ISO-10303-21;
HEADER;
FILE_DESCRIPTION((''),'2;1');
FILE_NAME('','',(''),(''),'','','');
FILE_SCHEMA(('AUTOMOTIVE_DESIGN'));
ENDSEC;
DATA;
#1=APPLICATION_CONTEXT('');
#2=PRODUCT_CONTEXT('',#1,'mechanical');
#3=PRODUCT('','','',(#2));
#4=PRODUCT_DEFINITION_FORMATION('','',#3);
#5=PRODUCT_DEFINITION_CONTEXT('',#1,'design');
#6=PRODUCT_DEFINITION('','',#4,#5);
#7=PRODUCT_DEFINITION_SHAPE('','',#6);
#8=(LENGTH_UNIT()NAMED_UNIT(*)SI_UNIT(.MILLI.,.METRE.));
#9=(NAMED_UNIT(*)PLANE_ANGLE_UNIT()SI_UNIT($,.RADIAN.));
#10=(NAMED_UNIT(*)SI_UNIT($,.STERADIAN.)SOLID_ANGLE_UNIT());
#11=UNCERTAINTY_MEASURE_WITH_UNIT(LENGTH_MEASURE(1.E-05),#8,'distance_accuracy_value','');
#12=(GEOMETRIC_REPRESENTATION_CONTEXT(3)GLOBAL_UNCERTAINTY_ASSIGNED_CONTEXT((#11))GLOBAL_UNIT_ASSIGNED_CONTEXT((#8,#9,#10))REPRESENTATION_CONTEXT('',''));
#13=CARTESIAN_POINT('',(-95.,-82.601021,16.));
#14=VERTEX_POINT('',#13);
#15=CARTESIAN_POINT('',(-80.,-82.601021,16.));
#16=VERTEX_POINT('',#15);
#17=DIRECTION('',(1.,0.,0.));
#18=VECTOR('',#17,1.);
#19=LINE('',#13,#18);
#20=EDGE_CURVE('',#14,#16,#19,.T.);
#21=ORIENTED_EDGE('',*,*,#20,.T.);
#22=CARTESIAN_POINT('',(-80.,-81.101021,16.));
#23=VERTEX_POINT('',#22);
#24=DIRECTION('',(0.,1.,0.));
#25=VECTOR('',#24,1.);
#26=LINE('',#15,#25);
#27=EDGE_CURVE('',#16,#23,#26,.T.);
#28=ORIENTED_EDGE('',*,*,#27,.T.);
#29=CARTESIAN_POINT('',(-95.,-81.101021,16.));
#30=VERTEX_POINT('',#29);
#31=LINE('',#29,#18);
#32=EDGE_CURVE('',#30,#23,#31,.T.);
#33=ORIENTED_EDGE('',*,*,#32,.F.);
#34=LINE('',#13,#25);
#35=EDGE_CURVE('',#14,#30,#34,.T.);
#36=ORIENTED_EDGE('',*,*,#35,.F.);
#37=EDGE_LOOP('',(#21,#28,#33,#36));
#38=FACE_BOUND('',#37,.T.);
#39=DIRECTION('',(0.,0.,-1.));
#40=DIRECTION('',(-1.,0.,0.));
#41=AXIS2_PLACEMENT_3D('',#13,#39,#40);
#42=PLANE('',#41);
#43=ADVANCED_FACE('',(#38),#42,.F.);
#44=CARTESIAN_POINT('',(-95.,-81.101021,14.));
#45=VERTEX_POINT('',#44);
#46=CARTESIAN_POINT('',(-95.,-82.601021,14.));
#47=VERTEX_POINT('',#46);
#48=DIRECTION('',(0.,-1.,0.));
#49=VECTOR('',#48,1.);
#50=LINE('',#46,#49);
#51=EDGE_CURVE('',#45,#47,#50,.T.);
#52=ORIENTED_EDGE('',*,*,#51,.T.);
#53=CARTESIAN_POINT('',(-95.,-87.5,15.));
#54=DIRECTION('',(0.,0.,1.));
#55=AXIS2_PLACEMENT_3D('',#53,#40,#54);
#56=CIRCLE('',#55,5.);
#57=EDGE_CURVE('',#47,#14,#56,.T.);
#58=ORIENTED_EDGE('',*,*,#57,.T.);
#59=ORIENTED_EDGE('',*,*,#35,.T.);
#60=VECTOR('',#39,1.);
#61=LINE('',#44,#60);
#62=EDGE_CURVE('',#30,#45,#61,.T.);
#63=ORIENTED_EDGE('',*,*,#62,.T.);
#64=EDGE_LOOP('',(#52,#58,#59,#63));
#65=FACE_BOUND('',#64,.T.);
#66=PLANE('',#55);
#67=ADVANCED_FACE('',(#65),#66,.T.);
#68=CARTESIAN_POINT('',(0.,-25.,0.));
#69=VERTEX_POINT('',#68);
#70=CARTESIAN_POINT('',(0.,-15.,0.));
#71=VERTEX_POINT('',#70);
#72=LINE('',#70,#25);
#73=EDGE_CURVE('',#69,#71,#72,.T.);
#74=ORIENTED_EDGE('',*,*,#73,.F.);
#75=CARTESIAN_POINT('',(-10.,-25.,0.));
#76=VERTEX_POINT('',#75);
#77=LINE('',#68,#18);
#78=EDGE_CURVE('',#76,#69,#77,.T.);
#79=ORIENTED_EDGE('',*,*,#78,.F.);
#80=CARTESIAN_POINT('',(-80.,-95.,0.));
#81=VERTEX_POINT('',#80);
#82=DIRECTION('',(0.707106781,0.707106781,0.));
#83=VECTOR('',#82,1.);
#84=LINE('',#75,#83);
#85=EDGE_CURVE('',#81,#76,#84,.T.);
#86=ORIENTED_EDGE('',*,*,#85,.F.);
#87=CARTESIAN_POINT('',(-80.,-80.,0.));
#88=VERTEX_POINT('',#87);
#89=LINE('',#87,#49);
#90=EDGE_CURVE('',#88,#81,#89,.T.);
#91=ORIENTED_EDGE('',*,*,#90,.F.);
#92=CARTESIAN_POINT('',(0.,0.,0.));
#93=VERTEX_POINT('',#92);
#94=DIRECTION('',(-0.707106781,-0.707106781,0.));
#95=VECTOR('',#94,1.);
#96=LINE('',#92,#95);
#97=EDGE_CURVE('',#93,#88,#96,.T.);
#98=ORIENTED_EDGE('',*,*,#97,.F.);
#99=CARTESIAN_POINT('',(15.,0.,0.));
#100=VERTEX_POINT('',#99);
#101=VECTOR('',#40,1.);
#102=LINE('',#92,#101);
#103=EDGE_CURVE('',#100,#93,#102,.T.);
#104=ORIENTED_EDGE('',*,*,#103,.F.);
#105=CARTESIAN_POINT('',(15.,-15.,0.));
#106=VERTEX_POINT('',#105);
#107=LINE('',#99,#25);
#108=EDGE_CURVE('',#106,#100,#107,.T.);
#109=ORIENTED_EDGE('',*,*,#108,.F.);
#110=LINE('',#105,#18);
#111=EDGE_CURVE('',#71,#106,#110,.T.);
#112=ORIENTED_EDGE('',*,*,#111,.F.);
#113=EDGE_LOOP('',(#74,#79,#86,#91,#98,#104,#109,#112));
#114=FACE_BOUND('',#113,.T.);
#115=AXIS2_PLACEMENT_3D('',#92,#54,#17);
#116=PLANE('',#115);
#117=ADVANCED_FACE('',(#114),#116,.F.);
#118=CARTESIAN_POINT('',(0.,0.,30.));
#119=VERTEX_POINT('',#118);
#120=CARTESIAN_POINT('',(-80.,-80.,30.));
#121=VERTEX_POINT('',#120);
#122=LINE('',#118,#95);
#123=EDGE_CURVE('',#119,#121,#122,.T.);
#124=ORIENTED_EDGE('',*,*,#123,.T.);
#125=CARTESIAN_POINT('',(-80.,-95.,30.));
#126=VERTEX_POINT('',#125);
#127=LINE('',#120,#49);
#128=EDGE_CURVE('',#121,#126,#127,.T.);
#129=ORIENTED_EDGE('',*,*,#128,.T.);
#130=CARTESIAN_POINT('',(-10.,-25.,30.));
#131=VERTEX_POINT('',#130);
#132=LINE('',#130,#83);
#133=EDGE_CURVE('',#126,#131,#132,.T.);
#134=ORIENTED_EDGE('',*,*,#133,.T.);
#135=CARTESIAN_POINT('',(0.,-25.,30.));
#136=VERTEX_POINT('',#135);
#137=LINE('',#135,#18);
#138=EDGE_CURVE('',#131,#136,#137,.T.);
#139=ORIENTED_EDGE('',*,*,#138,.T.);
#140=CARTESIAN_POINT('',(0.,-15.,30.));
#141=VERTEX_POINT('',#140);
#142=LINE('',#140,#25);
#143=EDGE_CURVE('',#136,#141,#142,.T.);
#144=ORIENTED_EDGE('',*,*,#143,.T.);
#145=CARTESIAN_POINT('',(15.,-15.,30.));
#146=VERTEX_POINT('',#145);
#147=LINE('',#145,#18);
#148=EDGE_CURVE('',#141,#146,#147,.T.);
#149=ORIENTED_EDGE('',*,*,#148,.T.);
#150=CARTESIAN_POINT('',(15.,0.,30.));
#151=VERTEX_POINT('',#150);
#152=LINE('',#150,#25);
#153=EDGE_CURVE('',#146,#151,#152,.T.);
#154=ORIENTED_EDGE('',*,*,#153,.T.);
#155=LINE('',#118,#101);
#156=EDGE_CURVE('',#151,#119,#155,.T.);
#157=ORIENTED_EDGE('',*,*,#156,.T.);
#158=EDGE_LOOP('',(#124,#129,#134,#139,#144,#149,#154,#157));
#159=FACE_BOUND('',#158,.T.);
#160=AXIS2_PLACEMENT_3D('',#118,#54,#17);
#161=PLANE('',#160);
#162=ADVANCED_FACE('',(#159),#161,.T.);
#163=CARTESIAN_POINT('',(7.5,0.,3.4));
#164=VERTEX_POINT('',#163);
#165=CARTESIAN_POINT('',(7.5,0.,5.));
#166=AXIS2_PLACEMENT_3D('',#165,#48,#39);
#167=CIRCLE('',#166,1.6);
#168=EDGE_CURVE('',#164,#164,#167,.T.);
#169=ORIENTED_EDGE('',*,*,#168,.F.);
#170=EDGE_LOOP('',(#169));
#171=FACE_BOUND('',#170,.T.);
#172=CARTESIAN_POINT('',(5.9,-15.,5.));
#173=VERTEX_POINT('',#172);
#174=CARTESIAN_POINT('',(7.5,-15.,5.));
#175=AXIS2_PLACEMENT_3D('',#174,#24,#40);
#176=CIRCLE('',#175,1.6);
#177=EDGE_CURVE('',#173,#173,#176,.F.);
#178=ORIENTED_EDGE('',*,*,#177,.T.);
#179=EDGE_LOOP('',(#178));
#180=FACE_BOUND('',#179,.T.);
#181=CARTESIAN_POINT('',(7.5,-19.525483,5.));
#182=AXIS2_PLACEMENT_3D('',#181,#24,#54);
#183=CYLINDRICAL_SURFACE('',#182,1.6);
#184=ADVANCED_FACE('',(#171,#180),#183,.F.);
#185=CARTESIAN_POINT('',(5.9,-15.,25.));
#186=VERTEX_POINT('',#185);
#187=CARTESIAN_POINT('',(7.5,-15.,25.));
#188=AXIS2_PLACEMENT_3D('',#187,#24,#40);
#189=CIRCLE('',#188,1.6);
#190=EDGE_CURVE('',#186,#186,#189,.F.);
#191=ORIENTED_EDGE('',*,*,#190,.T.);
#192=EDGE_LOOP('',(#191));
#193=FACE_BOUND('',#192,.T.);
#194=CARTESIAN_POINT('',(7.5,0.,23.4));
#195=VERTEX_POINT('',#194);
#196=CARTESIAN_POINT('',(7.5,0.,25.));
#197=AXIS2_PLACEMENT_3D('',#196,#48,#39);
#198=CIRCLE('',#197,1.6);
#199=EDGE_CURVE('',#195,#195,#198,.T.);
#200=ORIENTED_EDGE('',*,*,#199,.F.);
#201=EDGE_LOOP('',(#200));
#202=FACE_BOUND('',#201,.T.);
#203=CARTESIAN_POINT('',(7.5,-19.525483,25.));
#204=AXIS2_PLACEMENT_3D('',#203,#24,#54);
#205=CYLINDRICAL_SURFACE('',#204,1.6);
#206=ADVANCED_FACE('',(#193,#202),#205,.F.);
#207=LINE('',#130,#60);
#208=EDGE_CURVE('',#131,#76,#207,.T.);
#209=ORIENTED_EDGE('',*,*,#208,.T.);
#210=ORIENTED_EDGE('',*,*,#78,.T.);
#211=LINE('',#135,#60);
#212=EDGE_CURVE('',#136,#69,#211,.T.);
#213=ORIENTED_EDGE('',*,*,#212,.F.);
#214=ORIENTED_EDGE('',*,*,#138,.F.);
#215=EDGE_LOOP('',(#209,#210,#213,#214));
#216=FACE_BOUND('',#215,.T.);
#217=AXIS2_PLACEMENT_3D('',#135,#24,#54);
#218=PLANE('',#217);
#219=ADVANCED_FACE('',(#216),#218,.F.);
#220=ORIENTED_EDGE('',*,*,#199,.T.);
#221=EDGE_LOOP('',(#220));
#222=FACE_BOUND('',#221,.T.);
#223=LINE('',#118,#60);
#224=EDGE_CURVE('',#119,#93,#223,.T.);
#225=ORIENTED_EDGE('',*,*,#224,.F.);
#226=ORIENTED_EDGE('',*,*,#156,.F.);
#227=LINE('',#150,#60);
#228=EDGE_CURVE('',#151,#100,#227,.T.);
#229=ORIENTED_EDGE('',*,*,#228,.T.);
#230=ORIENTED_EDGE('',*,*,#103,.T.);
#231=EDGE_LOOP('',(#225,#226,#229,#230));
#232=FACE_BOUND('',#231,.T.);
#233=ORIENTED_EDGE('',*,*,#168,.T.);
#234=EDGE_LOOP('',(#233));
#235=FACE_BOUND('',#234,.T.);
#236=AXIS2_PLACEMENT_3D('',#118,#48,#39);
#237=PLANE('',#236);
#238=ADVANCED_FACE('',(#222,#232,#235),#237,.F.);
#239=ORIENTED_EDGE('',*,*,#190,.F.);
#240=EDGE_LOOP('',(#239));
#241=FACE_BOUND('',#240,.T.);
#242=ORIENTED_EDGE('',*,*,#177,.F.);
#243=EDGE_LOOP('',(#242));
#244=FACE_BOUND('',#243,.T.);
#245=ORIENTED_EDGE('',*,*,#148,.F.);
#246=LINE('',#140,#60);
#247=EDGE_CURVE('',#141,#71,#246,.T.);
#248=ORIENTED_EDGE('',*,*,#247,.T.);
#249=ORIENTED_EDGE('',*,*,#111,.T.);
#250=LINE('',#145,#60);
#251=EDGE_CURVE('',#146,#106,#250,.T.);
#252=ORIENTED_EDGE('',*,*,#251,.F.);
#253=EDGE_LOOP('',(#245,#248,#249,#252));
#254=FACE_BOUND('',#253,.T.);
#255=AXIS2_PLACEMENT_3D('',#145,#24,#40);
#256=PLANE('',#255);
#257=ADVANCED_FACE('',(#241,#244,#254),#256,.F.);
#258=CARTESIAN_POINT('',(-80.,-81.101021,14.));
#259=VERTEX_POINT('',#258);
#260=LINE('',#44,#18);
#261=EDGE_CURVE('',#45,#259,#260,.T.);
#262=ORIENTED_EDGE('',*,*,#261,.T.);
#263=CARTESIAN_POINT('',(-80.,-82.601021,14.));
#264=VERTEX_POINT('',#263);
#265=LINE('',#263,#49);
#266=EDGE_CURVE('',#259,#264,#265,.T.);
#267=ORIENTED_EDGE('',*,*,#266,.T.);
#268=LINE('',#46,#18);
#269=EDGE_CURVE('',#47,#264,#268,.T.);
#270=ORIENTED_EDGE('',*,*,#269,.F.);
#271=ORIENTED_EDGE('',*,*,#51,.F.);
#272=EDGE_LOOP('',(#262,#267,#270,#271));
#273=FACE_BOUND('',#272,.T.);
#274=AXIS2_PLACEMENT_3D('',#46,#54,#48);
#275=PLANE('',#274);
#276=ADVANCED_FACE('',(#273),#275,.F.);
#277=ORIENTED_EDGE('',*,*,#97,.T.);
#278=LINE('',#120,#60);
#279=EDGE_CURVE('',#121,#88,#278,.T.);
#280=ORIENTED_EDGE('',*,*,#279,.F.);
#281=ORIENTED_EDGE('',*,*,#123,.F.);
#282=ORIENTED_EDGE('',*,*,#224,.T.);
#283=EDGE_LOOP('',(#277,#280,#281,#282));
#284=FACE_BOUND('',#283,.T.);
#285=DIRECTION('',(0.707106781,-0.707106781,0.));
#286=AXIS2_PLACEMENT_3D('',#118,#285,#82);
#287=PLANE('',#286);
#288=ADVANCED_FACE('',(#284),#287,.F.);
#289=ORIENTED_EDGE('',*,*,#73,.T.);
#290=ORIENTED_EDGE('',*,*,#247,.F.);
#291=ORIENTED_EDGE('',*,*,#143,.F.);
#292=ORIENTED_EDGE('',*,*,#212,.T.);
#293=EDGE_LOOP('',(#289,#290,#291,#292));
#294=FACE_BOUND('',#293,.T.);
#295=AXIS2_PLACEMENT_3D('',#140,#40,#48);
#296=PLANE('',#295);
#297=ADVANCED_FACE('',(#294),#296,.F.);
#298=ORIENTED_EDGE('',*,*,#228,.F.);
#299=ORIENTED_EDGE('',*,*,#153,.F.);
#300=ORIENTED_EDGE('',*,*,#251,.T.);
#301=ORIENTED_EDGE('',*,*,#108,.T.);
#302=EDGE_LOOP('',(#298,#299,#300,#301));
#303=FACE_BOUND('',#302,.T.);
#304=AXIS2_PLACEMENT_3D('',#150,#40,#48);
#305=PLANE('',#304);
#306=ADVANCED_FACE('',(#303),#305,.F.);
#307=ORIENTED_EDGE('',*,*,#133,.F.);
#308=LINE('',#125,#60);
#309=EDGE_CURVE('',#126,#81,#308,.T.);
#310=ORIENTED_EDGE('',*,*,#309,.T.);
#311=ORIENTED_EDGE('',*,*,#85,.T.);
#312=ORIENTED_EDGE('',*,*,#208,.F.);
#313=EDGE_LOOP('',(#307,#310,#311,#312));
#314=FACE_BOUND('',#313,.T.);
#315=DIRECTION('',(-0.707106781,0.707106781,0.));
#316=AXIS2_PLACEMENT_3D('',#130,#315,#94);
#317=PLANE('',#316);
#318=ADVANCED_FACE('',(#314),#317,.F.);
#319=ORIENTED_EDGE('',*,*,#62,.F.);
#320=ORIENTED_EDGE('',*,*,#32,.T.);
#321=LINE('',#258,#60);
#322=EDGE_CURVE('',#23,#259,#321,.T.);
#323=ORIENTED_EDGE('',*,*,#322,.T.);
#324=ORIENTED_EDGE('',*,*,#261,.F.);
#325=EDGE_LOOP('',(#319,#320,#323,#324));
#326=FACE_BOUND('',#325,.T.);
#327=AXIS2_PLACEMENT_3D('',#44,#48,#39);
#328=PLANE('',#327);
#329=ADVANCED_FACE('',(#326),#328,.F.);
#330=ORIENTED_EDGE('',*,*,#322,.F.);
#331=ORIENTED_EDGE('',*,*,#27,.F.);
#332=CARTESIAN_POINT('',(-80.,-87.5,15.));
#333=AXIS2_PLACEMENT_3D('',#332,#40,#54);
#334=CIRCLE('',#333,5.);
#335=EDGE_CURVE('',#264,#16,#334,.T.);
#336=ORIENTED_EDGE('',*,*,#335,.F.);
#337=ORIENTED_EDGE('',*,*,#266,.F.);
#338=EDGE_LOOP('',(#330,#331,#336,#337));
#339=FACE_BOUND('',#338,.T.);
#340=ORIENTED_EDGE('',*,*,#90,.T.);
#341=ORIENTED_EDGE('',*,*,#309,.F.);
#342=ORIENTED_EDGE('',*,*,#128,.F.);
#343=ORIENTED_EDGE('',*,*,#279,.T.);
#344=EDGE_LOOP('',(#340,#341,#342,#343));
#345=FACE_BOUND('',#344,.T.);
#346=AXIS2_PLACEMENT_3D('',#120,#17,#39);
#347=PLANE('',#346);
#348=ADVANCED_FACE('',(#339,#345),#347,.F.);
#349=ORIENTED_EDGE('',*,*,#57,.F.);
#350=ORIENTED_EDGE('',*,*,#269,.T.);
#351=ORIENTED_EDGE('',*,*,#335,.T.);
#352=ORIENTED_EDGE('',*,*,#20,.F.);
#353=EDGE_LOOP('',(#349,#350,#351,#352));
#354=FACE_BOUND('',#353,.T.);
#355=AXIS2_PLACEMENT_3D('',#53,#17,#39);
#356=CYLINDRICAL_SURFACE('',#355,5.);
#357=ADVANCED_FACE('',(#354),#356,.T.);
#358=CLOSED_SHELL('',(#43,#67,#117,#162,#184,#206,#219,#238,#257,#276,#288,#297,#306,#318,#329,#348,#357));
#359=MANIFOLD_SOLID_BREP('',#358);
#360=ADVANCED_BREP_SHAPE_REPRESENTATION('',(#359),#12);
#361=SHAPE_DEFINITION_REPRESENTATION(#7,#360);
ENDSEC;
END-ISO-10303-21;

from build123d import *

# Parameters (mm, degrees)
BOSS_EXTRUDE1_DEPTH     = 30
CUT_EXTRUDE1_DEPTH      = 128.769323392
CUT_EXTRUDE1_DEPTH_BACK = 15
SKETCH2_R               = 1.6
BOSS_EXTRUDE2_DEPTH     = 15


with BuildPart() as part:
    # Sketch1 → Boss-Extrude1 (new body)
    with BuildSketch(Plane.XY):
        Polygon((0, 0), (15, 0), (15, -15), (0, -15), (0, -25), (-10, -25), (-80, -95), (-80, -80), align=None)
    extrude(amount=BOSS_EXTRUDE1_DEPTH)

    # Sketch2 → Cut-Extrude1 (cut, two sides: drawn at the far end of the back side and taken through both)
    with BuildSketch(Plane(origin=(0, 0, 0), x_dir=(1, 0, 0), z_dir=(0, 1, 0)).offset(-CUT_EXTRUDE1_DEPTH_BACK)):
        with Locations(Location((7.5, -5, 0), (0, 0, 180))):
            Circle(SKETCH2_R)
        with Locations(Location((7.5, -25, 0), (0, 0, 180))):
            Circle(SKETCH2_R)
    extrude(amount=CUT_EXTRUDE1_DEPTH + CUT_EXTRUDE1_DEPTH_BACK, mode=Mode.SUBTRACT)

    # Sketch3 → Boss-Extrude2 (add)
    with BuildSketch(Plane.ZY.offset(80)):
        with BuildLine():
            Line((14, -82.601020514), (14, -81.101020514))
            Line((14, -81.101020514), (16, -81.101020514))
            Line((16, -81.101020514), (16, -82.601020514))
            ThreePointArc((16, -82.601020514), (15, -92.5), (14, -82.601020514))
        make_face()
    extrude(amount=BOSS_EXTRUDE2_DEPTH)


solid = part.part
